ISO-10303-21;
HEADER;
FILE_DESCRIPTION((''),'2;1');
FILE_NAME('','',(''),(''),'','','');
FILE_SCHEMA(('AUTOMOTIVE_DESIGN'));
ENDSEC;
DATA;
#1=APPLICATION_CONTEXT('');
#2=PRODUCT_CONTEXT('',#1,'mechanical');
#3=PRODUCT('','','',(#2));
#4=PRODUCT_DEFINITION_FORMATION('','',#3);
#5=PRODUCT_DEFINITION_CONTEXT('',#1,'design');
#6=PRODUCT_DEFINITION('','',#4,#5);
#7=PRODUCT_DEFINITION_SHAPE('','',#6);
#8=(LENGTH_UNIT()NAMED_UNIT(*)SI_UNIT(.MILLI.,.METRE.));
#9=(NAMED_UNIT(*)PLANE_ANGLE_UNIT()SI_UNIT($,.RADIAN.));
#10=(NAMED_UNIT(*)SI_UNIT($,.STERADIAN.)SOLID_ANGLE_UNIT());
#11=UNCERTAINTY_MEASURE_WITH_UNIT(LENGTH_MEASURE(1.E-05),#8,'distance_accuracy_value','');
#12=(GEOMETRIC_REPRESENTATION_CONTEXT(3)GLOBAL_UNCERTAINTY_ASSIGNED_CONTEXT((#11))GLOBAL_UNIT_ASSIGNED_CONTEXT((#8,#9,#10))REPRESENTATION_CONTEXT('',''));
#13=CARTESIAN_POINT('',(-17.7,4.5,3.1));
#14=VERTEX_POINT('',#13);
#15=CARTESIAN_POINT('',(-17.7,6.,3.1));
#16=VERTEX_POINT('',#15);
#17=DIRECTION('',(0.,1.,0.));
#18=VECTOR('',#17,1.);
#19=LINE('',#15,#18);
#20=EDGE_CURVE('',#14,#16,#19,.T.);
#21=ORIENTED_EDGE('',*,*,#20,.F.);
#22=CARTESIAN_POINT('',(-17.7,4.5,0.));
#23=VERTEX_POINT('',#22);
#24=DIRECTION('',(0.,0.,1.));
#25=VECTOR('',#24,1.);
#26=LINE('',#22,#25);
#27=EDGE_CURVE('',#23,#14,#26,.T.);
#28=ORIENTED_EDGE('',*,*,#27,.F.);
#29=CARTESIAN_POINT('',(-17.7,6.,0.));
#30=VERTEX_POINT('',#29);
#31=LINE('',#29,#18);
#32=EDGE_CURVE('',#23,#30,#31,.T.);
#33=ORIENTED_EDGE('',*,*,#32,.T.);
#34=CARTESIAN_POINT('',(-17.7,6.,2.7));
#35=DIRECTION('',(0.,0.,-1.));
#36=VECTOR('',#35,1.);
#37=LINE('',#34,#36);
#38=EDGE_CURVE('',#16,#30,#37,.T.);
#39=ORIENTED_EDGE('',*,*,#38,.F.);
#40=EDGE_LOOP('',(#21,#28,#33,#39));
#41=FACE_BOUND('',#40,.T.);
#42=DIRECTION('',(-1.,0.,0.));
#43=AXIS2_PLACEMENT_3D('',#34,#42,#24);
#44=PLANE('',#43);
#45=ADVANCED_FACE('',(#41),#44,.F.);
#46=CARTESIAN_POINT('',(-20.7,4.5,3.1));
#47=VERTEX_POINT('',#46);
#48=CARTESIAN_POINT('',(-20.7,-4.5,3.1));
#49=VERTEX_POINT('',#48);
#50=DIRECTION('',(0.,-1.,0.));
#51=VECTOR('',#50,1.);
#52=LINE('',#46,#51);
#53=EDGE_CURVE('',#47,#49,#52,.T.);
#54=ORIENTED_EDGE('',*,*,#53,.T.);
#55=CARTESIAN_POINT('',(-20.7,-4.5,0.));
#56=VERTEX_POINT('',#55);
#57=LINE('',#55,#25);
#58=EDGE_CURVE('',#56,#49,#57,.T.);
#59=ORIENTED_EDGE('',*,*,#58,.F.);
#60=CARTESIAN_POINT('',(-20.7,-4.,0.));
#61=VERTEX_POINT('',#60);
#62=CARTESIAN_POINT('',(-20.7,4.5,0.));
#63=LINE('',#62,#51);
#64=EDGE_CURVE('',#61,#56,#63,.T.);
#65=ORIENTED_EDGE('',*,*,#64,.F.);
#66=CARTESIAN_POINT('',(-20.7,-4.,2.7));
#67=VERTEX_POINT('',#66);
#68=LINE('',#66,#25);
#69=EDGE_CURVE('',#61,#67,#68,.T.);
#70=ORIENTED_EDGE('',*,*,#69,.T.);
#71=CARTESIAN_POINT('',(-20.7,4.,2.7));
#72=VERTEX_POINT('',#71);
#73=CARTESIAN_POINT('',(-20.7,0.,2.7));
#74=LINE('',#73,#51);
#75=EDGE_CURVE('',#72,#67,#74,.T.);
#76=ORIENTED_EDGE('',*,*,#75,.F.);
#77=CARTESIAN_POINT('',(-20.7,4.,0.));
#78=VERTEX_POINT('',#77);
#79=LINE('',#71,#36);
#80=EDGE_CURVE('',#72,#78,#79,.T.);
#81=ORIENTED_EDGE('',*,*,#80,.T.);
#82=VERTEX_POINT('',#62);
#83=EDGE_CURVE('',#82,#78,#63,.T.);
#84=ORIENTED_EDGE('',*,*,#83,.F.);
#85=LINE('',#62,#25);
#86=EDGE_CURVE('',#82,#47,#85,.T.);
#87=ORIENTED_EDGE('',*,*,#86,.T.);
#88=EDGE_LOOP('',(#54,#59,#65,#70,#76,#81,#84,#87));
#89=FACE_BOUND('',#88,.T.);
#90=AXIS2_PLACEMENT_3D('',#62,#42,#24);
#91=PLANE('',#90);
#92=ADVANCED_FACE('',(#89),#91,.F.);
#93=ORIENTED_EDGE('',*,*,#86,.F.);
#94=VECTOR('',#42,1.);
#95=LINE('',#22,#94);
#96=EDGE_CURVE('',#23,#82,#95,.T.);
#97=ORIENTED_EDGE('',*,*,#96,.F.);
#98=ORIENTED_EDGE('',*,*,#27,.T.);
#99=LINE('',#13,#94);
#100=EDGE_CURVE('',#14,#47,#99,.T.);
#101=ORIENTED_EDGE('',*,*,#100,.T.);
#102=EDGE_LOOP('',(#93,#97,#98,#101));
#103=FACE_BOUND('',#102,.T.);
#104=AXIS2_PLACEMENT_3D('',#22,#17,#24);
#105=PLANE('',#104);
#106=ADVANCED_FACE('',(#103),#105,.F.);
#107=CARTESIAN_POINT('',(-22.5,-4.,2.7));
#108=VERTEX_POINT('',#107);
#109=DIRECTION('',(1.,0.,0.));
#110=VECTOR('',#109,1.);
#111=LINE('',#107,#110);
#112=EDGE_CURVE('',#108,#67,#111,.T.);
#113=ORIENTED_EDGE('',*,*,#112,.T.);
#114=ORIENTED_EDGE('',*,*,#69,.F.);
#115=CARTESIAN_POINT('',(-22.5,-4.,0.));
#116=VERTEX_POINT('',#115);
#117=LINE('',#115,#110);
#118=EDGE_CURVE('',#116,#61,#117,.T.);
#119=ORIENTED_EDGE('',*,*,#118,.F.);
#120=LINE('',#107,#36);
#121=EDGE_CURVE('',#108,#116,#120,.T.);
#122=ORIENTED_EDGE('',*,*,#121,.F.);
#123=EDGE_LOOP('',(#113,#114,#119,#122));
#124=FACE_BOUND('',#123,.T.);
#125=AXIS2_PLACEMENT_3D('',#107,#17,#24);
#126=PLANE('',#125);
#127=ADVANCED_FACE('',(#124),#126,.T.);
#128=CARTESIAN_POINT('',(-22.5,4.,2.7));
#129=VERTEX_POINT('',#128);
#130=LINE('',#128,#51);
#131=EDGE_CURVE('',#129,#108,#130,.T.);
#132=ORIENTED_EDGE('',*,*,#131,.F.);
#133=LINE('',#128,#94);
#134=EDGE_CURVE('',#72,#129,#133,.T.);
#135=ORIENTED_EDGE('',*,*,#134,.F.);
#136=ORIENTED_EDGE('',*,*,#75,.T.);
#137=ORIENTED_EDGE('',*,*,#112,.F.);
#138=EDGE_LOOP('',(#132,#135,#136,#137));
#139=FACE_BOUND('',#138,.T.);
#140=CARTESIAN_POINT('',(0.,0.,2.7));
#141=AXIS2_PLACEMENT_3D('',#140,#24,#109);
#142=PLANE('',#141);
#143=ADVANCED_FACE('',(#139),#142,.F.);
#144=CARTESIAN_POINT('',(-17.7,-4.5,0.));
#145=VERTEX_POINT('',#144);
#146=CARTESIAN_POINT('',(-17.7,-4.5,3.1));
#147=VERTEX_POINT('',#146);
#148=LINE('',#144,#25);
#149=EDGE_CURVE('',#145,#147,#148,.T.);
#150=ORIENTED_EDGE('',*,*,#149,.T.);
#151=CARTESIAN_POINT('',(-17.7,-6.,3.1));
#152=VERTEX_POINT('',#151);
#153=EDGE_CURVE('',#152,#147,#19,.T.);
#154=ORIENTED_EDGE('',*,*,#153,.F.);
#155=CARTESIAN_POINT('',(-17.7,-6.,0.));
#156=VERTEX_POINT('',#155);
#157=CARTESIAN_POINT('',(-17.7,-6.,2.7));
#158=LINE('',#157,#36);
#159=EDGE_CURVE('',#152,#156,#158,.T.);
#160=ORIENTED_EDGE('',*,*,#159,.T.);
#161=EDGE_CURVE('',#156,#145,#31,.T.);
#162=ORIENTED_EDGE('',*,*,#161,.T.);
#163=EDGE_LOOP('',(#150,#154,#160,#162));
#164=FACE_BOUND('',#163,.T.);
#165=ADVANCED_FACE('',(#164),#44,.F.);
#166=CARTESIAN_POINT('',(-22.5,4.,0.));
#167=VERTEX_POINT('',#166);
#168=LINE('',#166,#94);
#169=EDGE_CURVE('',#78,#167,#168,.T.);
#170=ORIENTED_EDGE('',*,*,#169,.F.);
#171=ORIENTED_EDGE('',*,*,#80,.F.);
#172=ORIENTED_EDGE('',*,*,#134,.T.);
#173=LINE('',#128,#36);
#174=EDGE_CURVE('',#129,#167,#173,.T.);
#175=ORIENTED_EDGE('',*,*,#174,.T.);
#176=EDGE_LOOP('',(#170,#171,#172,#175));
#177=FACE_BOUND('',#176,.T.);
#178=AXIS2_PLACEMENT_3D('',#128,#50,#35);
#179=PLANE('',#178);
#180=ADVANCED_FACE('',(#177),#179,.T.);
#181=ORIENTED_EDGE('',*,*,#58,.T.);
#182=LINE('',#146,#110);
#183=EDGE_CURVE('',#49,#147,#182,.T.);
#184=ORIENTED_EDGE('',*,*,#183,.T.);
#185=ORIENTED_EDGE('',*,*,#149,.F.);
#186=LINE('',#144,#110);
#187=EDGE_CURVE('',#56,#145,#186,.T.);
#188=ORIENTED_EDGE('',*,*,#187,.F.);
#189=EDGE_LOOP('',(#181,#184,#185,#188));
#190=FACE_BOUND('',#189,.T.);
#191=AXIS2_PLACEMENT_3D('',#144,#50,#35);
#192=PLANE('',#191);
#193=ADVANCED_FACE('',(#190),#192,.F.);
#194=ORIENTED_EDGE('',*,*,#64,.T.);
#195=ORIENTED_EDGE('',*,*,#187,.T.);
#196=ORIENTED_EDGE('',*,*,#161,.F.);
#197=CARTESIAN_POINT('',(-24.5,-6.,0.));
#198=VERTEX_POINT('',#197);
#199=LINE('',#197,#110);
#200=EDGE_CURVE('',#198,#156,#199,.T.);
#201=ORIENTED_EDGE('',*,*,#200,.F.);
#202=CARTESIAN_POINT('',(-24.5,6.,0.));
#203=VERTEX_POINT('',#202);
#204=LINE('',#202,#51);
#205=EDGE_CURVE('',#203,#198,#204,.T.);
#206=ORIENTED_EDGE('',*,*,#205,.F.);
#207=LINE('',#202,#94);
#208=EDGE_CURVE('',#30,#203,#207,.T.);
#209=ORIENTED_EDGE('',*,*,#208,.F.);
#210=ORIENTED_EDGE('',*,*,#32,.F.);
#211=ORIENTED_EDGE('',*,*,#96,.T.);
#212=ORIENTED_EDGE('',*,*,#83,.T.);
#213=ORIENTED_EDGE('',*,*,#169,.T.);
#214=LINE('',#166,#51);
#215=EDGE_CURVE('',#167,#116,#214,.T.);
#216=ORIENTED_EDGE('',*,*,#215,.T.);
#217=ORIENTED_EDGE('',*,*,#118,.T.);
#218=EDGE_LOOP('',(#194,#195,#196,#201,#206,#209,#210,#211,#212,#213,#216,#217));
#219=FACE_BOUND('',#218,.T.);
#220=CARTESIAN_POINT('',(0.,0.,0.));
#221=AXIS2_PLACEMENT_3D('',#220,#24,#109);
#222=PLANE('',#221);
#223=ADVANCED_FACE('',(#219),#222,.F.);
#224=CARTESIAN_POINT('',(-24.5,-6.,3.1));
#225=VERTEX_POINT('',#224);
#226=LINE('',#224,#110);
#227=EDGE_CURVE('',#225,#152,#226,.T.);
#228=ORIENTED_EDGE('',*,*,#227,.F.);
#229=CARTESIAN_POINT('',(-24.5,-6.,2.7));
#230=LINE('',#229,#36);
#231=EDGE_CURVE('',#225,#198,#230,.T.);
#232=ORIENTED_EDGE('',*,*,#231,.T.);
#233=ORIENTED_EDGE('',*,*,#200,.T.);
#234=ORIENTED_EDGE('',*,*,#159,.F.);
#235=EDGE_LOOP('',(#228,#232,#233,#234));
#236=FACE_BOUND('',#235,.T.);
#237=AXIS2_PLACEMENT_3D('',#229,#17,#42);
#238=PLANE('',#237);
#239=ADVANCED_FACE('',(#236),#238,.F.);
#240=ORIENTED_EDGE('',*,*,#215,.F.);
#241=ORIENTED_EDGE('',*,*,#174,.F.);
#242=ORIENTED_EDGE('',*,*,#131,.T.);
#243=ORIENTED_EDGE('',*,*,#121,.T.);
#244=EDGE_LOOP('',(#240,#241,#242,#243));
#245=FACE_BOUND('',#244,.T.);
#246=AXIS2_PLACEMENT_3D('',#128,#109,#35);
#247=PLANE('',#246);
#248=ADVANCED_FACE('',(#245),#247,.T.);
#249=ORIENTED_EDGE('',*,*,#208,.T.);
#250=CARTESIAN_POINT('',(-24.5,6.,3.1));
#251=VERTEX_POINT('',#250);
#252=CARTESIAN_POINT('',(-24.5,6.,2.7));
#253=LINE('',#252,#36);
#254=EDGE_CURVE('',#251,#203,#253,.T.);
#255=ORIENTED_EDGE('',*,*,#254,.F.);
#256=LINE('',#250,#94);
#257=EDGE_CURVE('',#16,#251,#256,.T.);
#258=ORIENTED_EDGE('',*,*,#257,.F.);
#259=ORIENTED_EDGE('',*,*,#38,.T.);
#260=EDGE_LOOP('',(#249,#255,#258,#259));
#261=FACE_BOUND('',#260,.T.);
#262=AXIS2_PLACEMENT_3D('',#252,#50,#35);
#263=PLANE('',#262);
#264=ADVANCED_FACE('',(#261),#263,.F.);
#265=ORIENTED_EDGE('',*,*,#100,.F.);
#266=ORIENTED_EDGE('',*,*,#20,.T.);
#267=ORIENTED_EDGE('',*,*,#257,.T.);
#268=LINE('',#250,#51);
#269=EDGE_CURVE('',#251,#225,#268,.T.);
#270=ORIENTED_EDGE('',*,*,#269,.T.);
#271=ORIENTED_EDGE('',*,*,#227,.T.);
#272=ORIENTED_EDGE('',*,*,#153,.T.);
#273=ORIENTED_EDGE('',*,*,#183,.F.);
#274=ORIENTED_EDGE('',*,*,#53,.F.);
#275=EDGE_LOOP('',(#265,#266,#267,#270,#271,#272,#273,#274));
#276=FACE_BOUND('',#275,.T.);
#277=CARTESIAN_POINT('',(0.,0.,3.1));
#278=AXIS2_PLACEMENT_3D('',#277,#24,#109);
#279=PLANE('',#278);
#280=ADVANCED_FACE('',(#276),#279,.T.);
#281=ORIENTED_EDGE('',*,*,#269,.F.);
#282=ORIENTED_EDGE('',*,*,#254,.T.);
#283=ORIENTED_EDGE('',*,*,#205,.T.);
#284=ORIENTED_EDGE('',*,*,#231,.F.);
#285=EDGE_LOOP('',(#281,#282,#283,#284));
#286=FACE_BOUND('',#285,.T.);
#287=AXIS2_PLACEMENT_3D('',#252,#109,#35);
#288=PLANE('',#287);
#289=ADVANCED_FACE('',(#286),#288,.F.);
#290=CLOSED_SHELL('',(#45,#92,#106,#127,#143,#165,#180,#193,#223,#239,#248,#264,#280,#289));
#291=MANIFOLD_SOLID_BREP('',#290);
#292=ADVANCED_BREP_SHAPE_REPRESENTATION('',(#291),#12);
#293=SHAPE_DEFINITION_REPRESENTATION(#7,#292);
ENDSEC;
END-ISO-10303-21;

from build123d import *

# Parameters (mm, degrees)
SKETCH1_W           = 6.8
SKETCH1_H           = 12
SKETCH1_W_2         = 2.8
SKETCH1_H_2         = 8
BOSS_EXTRUDE2_DEPTH = 2.7
SKETCH2_W           = 6.8
SKETCH2_H           = 12
BOSS_EXTRUDE3_DEPTH = 0.4
SKETCH3_W           = 3
SKETCH3_H           = 9
CUT_EXTRUDE1_DEPTH  = 26.413775792


with BuildPart() as part:
    # Sketch1 → Boss-Extrude2 (new body)
    with BuildSketch(Plane.XY):
        with Locations((-21.1, 0)):
            Rectangle(SKETCH1_W, SKETCH1_H)
        with Locations((-21.1, 0)):
            Rectangle(SKETCH1_W_2, SKETCH1_H_2, mode=Mode.SUBTRACT)
    extrude(amount=BOSS_EXTRUDE2_DEPTH)

    # Sketch2 → Boss-Extrude3 (add)
    with BuildSketch(Plane.XY.offset(2.7)):
        with Locations((-21.1, 0)):
            Rectangle(SKETCH2_W, SKETCH2_H)
    extrude(amount=BOSS_EXTRUDE3_DEPTH)

    # Sketch3 → Cut-Extrude1 (cut, through all)
    with BuildSketch(Plane.XY.offset(3.1)):
        with Locations((-19.2, 0)):
            Rectangle(SKETCH3_W, SKETCH3_H)
    extrude(amount=-CUT_EXTRUDE1_DEPTH, mode=Mode.SUBTRACT)


solid = part.part
